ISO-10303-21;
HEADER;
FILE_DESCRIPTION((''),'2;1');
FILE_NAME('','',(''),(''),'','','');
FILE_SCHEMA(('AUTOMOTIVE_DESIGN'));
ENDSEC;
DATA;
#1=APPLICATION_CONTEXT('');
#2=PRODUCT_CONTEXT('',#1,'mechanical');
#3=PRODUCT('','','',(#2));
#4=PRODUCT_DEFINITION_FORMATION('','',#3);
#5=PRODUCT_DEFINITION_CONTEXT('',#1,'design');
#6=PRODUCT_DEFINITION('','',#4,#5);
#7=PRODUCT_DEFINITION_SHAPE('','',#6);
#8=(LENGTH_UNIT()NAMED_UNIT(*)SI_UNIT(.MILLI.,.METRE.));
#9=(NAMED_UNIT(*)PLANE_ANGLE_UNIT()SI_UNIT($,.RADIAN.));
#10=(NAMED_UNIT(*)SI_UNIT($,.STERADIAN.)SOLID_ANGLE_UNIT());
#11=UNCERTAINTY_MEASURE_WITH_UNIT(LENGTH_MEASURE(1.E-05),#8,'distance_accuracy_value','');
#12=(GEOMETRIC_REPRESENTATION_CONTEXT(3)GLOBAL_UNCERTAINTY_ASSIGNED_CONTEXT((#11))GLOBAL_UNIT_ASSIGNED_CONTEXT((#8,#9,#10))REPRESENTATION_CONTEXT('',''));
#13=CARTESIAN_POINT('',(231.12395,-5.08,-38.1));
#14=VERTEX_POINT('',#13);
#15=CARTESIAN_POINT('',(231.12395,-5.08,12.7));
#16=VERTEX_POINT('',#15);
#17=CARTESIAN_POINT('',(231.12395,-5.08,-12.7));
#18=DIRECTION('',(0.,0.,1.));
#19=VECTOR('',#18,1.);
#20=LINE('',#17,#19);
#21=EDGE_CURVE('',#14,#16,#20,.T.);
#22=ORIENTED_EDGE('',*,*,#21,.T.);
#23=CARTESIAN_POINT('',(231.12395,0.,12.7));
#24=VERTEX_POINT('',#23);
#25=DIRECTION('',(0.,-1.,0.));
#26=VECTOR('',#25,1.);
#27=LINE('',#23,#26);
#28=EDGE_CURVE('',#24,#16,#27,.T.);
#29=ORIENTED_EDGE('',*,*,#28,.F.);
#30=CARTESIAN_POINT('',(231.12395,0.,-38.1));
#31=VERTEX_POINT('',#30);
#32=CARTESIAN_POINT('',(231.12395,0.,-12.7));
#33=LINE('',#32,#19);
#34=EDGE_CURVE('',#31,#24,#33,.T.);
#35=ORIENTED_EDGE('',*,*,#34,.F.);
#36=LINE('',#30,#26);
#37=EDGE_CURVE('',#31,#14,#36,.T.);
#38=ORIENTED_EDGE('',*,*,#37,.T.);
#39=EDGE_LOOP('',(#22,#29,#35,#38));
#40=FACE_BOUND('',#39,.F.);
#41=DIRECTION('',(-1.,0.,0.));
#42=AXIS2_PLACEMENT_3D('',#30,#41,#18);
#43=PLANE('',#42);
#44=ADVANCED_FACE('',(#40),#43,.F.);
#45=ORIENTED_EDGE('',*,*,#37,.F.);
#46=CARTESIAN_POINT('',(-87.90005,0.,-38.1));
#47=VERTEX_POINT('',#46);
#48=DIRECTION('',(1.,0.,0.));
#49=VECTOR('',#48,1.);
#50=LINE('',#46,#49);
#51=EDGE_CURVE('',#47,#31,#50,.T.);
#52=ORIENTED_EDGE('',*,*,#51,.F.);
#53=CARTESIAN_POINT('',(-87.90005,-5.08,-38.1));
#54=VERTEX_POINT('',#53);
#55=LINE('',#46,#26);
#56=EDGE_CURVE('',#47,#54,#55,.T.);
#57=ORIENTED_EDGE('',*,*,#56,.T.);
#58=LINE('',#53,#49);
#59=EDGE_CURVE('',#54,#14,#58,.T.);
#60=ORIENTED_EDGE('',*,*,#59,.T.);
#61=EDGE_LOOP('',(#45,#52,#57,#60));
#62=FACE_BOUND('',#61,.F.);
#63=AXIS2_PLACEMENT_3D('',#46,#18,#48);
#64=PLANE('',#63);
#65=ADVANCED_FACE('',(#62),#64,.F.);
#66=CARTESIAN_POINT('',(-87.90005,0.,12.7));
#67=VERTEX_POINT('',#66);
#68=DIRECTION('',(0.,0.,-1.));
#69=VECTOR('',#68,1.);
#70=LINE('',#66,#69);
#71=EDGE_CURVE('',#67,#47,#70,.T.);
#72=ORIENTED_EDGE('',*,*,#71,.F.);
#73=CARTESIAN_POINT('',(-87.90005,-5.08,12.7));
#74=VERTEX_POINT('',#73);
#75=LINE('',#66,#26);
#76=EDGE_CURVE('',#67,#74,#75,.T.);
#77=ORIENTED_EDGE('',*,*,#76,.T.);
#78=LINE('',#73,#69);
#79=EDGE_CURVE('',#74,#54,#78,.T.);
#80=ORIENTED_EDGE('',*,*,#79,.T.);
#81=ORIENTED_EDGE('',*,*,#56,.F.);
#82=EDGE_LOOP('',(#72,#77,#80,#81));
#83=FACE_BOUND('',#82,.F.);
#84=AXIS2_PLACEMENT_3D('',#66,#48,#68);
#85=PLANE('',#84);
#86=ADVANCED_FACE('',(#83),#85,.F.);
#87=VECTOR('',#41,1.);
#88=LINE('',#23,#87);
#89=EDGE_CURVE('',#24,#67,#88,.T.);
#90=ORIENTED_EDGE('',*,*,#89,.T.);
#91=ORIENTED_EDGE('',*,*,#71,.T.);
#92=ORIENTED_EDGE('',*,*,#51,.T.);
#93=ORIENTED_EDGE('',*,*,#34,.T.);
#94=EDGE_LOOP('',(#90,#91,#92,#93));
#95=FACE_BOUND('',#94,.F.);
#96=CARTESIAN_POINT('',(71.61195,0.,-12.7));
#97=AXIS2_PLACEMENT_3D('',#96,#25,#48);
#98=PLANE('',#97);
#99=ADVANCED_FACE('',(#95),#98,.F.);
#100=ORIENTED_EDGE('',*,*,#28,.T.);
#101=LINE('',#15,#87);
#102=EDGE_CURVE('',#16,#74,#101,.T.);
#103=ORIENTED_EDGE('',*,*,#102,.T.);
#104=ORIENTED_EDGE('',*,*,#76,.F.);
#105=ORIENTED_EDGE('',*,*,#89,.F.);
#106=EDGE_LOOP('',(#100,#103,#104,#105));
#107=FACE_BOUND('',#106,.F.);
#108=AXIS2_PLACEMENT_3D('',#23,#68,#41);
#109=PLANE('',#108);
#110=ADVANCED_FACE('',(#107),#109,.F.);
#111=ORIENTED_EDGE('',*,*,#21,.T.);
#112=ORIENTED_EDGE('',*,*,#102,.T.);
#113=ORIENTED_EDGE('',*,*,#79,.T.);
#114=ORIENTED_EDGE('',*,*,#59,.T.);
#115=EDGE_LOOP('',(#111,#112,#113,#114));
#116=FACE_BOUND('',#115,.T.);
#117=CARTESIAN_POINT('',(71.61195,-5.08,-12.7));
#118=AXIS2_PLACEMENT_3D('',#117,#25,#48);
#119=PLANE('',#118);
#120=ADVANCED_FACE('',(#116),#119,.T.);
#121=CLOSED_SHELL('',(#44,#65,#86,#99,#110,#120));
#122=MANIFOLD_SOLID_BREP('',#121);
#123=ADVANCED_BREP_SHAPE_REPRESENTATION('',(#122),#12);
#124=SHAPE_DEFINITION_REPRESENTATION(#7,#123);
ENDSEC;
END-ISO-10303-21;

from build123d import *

# Parameters (mm, degrees)
F0_W     = 12.7
F0_H     = 25.4
F0_H_2   = 12.7
F0_H_3   = 50.8
F1_DEPTH = 5.08


with BuildPart() as f1:
    # F0 (on Front) → F1 (new body)
    with BuildSketch(Plane.XZ):
        Polygon((218.42395, 12.7), (-75.20005, 12.7), (-75.20005, 0), (-75.20005, -12.7), (-75.20005, -38.1), (218.42395, -38.1), align=None)
        with Locations((-81.55005, -25.4)):
            Rectangle(F0_W, F0_H)
        with Locations((-81.55005, -6.35)):
            Rectangle(F0_W, F0_H_2)
        with Locations((-81.55005, 6.35)):
            Rectangle(F0_W, F0_H_2)
        with Locations((224.77395, -12.7)):
            Rectangle(F0_W, F0_H_3)
    extrude(amount=F1_DEPTH)


solid = f1.part
